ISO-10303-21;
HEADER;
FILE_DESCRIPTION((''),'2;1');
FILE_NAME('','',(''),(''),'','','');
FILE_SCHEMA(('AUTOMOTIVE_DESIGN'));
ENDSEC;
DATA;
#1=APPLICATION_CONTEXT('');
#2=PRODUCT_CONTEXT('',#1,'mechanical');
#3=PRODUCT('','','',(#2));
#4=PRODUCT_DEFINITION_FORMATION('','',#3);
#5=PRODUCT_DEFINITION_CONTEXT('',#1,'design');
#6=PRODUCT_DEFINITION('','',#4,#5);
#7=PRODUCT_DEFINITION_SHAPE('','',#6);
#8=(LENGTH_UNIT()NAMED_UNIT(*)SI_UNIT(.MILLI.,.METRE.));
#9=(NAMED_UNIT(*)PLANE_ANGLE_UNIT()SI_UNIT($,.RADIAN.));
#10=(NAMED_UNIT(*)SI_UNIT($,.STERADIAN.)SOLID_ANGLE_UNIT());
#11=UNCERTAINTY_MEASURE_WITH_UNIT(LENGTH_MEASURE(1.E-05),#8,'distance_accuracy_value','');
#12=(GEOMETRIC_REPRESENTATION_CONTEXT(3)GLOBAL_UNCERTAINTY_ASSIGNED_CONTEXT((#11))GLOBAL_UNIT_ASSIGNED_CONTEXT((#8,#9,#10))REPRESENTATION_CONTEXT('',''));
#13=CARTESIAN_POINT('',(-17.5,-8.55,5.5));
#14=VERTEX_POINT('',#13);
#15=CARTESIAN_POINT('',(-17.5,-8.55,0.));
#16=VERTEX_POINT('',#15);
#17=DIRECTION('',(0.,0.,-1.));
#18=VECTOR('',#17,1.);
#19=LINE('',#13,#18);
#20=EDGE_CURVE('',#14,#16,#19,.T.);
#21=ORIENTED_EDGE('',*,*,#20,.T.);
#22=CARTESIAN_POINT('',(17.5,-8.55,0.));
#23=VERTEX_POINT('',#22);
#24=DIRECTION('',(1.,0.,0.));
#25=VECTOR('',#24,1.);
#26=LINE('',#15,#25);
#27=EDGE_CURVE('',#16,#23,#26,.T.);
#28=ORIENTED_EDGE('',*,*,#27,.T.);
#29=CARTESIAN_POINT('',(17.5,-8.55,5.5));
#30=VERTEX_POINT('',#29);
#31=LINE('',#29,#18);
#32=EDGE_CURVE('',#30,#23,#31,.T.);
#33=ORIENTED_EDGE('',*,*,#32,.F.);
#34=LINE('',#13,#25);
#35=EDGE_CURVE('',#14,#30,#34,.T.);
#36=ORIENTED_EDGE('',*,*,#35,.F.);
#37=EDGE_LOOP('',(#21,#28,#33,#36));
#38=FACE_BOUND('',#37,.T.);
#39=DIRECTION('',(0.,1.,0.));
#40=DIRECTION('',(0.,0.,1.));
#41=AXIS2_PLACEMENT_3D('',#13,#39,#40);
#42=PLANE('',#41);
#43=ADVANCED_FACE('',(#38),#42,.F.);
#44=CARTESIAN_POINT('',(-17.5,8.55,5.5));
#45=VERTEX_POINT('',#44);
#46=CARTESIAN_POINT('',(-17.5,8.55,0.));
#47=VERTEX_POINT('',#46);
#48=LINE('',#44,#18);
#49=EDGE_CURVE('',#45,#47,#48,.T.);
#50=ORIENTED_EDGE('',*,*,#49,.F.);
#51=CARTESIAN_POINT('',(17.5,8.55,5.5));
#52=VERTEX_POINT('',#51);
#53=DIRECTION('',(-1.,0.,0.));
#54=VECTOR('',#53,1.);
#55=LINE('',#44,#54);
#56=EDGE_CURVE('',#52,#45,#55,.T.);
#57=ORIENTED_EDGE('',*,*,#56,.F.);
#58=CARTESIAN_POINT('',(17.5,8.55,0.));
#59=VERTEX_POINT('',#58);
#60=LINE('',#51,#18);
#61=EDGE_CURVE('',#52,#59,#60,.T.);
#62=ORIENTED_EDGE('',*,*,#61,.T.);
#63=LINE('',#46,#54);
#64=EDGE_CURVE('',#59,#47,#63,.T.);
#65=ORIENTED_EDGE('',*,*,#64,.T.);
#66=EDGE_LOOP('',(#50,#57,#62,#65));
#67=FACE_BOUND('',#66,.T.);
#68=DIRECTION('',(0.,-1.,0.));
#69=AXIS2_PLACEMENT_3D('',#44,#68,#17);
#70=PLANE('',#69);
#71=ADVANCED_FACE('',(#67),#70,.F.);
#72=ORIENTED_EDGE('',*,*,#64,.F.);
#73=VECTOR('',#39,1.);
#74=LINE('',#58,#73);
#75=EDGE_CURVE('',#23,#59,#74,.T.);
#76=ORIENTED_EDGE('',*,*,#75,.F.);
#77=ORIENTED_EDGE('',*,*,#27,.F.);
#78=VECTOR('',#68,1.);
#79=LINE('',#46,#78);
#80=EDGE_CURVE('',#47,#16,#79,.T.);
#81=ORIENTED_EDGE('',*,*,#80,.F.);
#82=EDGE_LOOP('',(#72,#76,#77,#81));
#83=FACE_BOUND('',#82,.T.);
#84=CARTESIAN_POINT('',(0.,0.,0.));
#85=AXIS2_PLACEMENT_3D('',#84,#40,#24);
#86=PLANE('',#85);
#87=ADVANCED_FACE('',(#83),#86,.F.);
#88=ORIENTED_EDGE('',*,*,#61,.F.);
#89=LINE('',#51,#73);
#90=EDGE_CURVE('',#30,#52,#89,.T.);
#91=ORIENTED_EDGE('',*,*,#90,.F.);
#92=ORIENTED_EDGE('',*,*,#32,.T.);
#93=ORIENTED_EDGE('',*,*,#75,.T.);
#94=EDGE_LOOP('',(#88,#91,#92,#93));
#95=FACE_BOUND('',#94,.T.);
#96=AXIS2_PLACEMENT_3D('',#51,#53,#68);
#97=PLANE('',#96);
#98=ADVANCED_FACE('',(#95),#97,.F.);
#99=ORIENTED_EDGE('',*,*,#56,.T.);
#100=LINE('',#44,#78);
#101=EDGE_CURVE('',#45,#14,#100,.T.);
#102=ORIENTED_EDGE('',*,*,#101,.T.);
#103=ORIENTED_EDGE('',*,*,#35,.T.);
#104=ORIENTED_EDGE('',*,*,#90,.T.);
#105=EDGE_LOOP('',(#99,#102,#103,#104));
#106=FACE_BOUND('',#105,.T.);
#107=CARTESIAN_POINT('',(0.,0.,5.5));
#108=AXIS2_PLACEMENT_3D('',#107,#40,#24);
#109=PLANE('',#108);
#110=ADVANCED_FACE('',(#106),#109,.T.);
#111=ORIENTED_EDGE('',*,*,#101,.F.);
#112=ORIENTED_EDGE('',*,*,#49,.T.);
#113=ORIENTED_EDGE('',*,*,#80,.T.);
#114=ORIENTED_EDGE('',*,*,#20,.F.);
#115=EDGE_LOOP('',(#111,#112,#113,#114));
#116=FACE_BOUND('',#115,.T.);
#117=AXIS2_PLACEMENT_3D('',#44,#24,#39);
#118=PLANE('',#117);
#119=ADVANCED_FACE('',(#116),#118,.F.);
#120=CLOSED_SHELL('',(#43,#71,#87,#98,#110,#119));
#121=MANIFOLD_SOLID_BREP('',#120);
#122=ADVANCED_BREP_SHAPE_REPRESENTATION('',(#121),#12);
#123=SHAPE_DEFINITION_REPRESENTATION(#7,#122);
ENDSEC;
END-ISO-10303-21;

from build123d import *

# Parameters (mm, degrees)
SKETCH1_W           = 35
SKETCH1_H           = 17.1
BOSS_EXTRUDE1_DEPTH = 5.5


with BuildPart() as part:
    # Sketch1 → Boss-Extrude1 (new body)
    with BuildSketch(Plane.XY):
        Rectangle(SKETCH1_W, SKETCH1_H)
    extrude(amount=BOSS_EXTRUDE1_DEPTH)


solid = part.part
